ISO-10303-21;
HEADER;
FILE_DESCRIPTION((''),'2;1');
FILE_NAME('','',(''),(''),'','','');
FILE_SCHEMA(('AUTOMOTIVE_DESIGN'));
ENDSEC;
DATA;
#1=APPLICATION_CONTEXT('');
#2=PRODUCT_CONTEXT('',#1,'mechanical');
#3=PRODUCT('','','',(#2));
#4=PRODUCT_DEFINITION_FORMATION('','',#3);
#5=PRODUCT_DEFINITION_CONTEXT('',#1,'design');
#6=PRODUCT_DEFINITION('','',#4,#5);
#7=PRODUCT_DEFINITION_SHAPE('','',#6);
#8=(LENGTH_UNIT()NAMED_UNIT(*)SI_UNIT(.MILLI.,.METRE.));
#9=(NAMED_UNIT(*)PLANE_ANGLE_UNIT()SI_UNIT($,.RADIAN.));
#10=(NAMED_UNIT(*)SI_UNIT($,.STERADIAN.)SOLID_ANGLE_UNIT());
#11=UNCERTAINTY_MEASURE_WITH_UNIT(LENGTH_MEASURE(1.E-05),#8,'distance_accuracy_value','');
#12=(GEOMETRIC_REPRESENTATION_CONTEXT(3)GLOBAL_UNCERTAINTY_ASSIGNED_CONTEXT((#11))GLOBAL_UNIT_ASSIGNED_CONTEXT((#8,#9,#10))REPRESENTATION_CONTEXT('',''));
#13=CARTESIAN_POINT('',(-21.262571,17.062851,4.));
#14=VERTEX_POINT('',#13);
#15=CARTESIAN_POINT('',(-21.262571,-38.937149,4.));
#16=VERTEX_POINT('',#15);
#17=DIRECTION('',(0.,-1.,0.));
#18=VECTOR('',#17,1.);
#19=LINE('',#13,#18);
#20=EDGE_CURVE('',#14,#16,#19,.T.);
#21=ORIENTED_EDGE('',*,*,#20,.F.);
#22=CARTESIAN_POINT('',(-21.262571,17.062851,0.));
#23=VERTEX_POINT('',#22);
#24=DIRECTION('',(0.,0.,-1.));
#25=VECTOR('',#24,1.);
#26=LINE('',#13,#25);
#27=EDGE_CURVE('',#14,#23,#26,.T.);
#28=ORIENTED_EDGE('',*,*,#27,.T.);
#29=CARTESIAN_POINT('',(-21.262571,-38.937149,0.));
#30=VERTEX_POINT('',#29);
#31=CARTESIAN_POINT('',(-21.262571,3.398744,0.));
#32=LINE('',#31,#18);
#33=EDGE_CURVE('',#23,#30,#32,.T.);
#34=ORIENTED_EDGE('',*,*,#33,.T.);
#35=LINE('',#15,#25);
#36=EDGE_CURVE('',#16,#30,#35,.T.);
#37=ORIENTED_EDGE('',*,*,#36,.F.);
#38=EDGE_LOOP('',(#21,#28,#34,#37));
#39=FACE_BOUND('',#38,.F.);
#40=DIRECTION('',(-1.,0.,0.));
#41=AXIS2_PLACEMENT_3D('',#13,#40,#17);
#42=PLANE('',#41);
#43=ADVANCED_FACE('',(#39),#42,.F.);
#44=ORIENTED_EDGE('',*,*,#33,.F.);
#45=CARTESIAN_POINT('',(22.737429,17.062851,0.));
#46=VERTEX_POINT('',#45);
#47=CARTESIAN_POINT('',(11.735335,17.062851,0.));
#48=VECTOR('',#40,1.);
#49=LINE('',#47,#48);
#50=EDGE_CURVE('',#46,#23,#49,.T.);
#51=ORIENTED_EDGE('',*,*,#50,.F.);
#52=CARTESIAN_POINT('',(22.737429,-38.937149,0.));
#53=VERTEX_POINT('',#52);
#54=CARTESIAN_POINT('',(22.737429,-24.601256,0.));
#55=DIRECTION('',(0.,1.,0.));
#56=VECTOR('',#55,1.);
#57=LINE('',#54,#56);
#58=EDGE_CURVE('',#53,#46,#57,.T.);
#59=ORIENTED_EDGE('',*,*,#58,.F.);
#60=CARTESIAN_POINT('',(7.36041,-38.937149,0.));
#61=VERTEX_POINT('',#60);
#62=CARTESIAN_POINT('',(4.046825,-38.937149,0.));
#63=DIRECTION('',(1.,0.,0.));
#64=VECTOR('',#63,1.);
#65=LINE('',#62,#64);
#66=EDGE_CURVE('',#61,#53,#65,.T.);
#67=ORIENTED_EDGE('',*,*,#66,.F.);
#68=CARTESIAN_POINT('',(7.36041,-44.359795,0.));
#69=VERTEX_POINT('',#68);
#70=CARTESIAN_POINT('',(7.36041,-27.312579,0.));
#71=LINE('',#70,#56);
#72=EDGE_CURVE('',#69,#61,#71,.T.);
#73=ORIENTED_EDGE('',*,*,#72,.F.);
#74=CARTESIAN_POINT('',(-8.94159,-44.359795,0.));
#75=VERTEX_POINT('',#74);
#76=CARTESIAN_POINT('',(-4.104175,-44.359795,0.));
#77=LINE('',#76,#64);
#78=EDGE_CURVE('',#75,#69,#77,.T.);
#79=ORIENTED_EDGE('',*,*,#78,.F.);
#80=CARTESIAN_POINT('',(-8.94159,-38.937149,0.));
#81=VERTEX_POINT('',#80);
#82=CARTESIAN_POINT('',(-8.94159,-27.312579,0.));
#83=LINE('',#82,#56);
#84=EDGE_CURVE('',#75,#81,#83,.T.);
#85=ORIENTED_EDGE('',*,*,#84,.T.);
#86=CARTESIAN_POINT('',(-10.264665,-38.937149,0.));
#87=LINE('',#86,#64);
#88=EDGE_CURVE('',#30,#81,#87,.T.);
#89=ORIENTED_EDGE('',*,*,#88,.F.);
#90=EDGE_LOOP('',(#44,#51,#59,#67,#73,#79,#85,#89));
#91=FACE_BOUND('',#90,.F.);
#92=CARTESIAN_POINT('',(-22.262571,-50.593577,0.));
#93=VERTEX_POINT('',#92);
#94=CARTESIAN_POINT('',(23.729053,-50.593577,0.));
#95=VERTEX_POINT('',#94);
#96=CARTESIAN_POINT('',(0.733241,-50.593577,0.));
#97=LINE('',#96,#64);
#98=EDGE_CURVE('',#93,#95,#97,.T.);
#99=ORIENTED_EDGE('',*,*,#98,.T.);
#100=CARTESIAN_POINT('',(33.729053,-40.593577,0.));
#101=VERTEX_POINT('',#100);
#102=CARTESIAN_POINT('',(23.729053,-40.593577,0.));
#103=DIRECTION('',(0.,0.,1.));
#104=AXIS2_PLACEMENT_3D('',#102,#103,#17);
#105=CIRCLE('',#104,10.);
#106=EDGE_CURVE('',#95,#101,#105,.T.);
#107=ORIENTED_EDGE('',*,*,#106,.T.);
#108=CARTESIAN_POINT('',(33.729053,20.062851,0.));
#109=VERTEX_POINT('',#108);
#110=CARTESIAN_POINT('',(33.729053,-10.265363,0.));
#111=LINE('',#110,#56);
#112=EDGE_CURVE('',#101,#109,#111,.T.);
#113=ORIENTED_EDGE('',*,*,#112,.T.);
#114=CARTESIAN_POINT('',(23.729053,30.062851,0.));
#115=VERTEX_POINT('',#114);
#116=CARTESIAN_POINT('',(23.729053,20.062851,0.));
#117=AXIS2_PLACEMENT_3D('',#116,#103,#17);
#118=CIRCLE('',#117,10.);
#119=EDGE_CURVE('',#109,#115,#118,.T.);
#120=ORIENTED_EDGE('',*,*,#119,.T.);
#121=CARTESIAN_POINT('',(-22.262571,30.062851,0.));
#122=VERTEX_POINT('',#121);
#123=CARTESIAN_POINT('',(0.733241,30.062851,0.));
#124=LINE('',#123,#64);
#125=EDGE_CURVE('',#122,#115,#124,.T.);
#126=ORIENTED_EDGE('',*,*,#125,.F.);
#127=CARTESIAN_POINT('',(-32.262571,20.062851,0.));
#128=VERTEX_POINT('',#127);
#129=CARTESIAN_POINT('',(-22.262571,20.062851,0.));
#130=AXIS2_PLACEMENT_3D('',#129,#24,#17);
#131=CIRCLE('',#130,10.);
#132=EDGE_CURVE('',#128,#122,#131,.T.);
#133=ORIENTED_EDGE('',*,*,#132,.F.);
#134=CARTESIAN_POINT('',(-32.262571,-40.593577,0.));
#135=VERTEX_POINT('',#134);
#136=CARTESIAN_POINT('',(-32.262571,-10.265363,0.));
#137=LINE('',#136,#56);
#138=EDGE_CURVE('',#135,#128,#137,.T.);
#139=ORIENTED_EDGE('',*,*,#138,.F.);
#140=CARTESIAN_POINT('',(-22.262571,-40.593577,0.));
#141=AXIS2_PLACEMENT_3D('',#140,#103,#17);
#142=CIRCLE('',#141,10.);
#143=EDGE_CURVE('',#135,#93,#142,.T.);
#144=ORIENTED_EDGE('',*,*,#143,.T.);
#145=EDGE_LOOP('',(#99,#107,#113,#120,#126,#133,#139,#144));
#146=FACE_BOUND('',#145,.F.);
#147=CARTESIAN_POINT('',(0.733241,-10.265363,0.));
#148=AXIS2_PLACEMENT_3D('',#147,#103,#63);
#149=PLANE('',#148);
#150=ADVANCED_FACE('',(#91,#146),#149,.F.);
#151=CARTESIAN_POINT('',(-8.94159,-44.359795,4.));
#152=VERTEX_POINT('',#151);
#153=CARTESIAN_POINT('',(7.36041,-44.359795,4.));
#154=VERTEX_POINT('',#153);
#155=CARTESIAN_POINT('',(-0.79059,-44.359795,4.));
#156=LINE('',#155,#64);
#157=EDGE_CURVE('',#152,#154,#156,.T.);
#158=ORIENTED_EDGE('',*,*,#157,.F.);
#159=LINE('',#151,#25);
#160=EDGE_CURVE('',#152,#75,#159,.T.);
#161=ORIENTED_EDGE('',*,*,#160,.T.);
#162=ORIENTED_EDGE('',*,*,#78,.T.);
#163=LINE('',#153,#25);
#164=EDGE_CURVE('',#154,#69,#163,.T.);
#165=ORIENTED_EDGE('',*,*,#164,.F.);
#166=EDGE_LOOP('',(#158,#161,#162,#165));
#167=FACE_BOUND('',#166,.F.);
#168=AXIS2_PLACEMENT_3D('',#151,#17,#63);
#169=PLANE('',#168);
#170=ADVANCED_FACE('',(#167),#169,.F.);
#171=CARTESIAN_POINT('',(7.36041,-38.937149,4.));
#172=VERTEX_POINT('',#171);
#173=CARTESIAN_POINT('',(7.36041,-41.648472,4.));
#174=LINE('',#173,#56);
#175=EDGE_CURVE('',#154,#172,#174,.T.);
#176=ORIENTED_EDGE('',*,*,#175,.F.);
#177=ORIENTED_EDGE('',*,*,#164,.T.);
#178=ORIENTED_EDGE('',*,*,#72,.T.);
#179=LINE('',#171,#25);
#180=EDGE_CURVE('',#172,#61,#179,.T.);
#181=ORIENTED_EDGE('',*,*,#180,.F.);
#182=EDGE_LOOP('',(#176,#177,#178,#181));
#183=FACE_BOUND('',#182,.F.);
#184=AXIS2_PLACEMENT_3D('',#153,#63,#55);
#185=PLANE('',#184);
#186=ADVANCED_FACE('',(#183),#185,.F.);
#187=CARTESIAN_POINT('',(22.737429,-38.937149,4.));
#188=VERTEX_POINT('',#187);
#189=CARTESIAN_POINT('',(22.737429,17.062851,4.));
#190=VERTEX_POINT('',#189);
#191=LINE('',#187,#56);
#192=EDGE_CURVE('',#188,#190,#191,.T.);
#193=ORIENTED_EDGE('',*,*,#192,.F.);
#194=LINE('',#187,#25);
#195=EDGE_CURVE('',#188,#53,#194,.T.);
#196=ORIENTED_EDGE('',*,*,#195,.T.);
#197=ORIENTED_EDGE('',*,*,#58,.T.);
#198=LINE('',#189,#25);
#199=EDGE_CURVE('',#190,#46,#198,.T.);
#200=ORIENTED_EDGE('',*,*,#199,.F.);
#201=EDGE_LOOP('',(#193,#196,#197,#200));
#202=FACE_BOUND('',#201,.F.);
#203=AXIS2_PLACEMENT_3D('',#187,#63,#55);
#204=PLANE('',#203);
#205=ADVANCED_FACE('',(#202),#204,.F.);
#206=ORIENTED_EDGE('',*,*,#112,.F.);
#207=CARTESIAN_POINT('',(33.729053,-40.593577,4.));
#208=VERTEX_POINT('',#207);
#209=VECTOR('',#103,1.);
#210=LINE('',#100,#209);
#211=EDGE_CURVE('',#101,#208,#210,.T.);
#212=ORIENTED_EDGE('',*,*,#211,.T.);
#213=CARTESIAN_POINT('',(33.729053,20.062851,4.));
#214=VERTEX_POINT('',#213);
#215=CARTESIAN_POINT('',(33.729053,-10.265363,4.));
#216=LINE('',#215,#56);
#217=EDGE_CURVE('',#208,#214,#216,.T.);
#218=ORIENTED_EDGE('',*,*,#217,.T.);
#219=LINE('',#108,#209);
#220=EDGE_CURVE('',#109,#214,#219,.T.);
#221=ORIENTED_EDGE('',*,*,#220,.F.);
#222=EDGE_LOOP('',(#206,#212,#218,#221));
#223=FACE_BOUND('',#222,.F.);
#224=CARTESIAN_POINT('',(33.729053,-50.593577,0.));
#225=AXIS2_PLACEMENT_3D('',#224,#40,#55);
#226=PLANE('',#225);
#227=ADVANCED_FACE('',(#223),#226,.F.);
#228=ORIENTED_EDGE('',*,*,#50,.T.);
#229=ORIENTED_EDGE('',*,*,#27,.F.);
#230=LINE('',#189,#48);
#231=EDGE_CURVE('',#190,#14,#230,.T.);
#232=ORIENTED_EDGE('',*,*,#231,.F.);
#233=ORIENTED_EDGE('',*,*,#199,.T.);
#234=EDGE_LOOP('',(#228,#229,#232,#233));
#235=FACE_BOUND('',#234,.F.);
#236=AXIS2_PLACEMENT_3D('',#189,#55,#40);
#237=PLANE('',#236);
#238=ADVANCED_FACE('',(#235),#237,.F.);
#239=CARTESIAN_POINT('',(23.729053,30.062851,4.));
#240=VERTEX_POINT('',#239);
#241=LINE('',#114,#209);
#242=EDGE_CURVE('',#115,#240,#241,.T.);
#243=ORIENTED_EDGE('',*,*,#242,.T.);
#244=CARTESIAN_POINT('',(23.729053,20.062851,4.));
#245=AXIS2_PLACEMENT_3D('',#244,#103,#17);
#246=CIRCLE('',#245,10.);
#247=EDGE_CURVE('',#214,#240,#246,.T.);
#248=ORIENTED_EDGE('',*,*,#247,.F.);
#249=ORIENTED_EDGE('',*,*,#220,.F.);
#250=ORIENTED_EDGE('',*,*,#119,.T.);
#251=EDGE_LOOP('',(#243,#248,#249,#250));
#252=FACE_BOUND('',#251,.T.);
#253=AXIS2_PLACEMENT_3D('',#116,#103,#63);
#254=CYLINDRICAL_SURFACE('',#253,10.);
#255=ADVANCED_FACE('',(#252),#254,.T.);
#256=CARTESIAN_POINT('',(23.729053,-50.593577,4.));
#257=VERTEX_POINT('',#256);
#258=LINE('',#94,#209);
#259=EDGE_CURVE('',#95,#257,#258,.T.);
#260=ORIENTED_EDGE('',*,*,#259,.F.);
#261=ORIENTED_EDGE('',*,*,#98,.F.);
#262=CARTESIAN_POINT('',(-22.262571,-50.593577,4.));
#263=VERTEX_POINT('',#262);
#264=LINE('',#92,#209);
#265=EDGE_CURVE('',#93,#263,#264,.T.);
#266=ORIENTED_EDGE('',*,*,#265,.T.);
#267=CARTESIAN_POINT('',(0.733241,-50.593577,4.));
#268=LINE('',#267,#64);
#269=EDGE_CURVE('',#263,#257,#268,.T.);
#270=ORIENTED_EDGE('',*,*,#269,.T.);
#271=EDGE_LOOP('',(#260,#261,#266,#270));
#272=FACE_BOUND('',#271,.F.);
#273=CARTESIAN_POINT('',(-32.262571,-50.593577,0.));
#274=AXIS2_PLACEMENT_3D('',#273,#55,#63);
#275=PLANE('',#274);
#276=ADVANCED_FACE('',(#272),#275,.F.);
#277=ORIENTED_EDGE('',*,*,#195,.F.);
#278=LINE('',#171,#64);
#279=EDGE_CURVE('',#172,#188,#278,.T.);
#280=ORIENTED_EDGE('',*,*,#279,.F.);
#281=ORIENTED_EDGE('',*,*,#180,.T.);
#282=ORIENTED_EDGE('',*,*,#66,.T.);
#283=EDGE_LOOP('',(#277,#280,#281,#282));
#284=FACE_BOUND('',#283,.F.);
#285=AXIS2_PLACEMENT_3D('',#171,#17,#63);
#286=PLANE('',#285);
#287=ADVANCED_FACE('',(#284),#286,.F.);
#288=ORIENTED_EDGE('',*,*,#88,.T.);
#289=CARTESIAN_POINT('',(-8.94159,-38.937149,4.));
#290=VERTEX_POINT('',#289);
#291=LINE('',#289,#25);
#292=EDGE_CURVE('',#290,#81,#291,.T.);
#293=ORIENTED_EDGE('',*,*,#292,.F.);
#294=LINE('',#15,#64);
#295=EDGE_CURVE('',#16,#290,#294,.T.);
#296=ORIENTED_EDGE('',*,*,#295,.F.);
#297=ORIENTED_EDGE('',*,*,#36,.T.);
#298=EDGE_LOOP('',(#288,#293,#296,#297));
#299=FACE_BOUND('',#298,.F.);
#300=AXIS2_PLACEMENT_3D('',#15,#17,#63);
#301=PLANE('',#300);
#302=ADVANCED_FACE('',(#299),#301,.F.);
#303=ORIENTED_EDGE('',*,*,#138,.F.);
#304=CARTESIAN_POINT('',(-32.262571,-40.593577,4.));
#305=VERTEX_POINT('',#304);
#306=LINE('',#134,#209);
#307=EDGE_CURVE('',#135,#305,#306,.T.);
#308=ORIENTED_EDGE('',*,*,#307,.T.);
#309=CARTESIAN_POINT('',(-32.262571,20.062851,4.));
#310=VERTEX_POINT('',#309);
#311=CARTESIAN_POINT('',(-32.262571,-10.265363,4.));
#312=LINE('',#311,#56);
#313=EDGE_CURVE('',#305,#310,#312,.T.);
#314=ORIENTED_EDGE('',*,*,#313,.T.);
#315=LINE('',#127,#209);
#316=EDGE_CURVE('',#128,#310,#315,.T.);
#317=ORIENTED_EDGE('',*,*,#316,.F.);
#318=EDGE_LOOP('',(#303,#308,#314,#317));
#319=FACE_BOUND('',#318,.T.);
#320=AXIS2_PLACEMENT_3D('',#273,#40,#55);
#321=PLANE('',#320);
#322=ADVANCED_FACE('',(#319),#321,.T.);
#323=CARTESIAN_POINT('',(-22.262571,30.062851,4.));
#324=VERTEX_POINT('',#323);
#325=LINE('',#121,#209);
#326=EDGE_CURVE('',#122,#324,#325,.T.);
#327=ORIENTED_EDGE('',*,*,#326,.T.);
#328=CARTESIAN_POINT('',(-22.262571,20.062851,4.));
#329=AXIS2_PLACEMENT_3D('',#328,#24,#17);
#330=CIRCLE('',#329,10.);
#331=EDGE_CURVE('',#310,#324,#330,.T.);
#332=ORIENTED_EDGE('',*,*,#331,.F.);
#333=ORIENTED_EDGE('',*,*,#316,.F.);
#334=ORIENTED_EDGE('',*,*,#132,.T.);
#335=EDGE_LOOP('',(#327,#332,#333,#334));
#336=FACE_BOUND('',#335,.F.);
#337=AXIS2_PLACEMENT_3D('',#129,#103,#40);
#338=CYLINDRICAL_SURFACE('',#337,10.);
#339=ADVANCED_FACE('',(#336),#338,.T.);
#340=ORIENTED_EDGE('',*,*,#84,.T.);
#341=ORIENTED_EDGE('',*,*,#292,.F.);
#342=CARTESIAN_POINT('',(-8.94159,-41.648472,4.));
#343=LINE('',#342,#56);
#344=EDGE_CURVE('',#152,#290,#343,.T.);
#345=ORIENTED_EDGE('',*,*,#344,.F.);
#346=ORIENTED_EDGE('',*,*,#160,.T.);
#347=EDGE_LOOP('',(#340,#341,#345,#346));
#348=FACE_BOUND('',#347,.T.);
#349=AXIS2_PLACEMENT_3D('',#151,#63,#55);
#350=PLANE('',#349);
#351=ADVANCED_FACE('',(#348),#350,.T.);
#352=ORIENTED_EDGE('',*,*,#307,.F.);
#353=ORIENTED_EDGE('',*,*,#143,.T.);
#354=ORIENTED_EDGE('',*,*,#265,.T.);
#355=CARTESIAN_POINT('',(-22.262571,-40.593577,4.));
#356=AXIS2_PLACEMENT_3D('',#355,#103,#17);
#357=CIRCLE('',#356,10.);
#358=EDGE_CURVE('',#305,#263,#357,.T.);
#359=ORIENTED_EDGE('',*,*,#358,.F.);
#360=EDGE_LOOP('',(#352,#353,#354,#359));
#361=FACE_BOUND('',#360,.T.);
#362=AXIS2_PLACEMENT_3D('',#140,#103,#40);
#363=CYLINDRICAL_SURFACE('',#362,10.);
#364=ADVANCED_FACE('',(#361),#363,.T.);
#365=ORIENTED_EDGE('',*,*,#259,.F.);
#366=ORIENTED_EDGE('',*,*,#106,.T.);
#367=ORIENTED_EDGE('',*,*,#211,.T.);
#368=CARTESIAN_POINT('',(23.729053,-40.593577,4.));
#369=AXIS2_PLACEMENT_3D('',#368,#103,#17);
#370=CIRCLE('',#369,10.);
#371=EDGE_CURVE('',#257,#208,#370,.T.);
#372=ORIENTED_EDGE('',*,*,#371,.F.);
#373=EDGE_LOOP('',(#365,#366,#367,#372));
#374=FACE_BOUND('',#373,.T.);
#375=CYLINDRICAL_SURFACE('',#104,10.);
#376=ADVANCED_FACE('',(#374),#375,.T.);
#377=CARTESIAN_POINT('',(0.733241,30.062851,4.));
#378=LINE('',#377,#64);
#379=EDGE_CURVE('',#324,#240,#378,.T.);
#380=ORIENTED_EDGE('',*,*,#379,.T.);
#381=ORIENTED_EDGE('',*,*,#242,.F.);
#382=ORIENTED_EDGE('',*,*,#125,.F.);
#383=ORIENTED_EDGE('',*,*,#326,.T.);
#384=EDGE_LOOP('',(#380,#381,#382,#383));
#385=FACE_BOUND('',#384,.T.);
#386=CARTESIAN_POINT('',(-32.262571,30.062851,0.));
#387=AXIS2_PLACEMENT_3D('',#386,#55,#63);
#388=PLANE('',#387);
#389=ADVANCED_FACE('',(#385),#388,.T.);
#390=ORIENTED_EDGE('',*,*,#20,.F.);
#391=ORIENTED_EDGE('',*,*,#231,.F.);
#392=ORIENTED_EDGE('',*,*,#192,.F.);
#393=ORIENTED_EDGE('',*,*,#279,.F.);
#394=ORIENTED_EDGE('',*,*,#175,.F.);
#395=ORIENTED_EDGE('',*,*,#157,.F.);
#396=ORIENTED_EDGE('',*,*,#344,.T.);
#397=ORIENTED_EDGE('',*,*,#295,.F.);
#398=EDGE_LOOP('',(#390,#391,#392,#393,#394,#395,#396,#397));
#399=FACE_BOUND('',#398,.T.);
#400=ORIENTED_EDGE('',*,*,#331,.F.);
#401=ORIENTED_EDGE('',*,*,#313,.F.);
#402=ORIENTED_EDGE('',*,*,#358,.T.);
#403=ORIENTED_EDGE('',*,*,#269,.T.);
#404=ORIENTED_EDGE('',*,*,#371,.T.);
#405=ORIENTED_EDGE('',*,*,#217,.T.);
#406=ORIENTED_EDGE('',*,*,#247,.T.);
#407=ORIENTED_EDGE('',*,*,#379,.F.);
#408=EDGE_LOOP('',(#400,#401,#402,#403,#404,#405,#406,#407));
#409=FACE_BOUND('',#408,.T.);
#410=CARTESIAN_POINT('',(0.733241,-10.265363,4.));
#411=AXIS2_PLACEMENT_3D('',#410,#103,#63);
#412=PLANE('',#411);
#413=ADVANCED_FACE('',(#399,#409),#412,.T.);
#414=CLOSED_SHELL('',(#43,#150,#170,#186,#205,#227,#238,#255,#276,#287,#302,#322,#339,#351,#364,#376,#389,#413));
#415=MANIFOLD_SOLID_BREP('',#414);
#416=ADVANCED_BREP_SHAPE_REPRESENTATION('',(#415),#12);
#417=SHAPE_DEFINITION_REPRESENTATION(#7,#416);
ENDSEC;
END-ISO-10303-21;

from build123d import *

# Parameters (mm, degrees)
F0_W     = 65.991625
F0_H     = 80.656428
F1_DEPTH = 4
F3_R     = 10
F2_W     = 16.302
F2_H     = 5.422647
F4_DEPTH = 25


with BuildPart() as f1:
    # F0 (on Top) → F1 (new body)
    with BuildSketch(Plane.XY):
        with Locations((0.733241, -10.265363)):
            Rectangle(F0_W, F0_H)
    extrude(amount=F1_DEPTH)

    # F3
    f3_edges = [f1.edges().sort_by_distance(p)[0] for p in [
        (33.729054, 30.062851, 2),
        (-32.262571, 30.062851, 2),
        (-32.262571, -50.593577, 2),
        (33.729054, -50.593577, 2),
    ]]
    fillet(f3_edges, radius=F3_R)

    # F2 (on face) → F4 (cut)
    with BuildSketch(Plane.XY.offset(4)):
        with Locations((-0.79059, -41.648472)):
            Rectangle(F2_W, F2_H)
        Polygon((22.737429, 17.062851), (-21.262571, 17.062851), (-21.262571, -38.937149), (-8.94159, -38.937149), (7.36041, -38.937149), (22.737429, -38.937149), align=None)
    extrude(amount=-F4_DEPTH, mode=Mode.SUBTRACT)


solid = f1.part
